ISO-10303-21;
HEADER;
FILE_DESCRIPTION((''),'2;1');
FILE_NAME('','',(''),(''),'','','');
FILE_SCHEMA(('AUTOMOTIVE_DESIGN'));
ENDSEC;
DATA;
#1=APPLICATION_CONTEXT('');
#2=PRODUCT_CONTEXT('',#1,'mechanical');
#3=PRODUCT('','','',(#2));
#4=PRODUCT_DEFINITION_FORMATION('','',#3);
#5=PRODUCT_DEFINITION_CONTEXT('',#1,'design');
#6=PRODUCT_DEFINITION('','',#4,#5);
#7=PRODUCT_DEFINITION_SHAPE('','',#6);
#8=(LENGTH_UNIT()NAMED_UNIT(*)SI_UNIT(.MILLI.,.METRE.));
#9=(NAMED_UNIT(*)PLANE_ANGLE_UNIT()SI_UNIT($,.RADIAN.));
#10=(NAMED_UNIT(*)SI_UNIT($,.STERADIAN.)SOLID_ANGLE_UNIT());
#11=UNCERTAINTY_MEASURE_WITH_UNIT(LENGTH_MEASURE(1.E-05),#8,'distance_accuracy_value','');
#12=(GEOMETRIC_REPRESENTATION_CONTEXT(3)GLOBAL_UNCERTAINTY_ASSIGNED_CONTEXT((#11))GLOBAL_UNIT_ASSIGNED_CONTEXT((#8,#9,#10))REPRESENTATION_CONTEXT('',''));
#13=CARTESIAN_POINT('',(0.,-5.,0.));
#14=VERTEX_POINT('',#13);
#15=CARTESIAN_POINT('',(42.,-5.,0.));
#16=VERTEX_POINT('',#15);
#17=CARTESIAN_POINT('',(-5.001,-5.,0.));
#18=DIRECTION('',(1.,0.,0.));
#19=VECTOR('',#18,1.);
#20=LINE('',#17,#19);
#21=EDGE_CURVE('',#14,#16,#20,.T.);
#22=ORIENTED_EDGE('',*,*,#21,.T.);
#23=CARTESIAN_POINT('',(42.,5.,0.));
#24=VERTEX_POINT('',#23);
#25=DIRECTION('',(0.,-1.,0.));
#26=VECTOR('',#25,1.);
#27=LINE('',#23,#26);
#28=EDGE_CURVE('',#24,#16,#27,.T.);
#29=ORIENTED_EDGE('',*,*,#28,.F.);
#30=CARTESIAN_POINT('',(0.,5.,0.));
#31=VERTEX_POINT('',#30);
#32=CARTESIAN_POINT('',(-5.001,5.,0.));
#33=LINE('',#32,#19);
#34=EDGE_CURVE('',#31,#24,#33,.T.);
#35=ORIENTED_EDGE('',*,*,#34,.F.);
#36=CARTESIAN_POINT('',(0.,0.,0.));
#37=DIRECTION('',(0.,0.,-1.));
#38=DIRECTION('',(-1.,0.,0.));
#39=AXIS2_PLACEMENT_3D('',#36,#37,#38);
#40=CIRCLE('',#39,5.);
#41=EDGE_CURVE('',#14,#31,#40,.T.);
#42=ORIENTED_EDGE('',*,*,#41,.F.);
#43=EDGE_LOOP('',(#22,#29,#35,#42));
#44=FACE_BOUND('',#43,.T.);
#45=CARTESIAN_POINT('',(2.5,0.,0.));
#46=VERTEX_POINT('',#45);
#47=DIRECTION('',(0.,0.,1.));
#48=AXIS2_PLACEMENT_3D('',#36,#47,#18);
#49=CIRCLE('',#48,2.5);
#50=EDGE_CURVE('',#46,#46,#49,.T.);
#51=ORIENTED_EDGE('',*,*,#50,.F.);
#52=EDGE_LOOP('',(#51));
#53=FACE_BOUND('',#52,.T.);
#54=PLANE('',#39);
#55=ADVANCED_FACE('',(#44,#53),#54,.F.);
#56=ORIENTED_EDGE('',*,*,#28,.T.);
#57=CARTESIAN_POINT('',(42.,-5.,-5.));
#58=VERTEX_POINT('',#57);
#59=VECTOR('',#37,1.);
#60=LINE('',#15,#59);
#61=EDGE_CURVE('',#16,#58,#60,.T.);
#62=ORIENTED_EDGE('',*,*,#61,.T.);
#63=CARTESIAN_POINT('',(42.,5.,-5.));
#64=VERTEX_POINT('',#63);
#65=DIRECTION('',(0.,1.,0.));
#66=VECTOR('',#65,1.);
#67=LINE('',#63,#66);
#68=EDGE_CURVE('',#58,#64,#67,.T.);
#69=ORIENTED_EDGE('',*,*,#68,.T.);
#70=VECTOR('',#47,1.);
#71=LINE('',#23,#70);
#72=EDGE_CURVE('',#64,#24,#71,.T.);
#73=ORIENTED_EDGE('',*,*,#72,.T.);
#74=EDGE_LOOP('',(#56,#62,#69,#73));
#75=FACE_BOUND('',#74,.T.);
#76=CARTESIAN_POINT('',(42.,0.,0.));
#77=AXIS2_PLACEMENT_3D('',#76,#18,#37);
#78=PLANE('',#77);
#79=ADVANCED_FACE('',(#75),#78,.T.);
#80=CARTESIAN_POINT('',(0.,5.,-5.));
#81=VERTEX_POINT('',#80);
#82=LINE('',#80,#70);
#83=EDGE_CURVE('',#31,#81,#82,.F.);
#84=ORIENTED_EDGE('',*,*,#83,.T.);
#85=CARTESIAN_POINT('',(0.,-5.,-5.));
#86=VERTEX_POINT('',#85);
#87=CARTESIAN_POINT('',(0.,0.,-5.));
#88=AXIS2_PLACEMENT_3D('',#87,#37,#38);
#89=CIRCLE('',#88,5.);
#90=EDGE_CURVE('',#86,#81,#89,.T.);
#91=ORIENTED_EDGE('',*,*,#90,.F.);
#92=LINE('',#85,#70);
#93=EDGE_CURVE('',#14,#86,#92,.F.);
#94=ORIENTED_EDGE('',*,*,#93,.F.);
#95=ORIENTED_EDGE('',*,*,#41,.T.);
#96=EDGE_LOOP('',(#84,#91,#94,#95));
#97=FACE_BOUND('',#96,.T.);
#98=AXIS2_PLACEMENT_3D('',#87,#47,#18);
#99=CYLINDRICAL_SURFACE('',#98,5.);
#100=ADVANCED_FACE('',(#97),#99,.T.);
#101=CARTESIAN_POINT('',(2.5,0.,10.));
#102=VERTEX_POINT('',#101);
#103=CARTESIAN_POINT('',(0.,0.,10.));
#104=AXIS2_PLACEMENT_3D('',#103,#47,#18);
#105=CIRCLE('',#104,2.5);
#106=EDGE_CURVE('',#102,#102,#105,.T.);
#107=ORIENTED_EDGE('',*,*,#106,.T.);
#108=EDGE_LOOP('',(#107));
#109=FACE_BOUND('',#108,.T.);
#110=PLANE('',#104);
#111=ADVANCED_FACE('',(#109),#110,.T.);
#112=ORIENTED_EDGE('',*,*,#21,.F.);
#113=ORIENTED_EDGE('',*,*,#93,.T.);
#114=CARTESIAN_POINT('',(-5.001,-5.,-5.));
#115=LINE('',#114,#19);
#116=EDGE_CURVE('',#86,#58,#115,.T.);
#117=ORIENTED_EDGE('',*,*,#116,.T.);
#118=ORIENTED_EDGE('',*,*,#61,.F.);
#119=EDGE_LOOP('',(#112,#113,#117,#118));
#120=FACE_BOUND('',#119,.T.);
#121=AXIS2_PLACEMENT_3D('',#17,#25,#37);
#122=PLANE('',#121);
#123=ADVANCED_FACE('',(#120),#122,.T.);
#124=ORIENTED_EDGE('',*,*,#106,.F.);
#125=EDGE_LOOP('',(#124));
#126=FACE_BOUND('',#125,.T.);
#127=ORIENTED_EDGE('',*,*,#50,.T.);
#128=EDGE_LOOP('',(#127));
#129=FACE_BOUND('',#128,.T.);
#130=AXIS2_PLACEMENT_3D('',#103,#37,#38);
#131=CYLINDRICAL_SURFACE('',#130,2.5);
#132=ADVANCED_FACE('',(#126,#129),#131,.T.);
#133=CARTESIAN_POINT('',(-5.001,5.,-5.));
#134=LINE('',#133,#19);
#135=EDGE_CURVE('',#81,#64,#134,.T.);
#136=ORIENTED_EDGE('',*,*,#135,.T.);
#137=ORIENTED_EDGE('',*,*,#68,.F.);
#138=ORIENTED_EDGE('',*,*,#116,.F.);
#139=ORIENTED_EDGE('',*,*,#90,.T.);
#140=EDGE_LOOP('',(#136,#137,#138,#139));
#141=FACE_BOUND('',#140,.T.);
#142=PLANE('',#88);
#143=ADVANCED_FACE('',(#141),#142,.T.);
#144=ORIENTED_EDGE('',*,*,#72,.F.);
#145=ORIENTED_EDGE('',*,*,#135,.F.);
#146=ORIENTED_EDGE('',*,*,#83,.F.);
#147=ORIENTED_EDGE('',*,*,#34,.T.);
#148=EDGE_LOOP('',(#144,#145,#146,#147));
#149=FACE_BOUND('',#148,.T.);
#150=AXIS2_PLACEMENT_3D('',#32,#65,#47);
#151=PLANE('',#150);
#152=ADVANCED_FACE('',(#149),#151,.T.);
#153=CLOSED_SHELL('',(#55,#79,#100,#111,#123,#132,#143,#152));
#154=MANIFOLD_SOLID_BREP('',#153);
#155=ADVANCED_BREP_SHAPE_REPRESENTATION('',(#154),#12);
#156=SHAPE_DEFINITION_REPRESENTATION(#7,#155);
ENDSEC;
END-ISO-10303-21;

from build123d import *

# Parameters (mm, degrees)
SKETCH1_R                = 2.5
BOSS_EXTRUDE1_DEPTH      = 10
SKETCH2_R                = 5
BOSS_EXTRUDE2_DEPTH      = 5
BOSS_EXTRUDE3_REACH      = 20.708
BOSS_EXTRUDE3_END_RADIUS = 5
SKETCH4_W                = 5
SKETCH4_H                = 10
SKETCH5_W                = 5
SKETCH5_H                = 10
BOSS_EXTRUDE4_DEPTH      = 32


with BuildPart() as part:
    # Sketch1 → Boss-Extrude1 (new body)
    with BuildSketch(Plane.XY):
        Circle(SKETCH1_R)
    extrude(amount=BOSS_EXTRUDE1_DEPTH)

    # Sketch2 → Boss-Extrude2 (add)
    with BuildSketch(Plane(origin=(0, 0, 0), x_dir=(-1, 0, 0), z_dir=(0, 0, -1))):
        Circle(SKETCH2_R)
    extrude(amount=BOSS_EXTRUDE2_DEPTH)

    # Boss-Extrude3: up to this cylinder (the profile starts outside it)
    boss_extrude3_end = Plane(origin=(0, 0, -2.5), z_dir=(0, 0, 1)) * Cylinder(BOSS_EXTRUDE3_END_RADIUS, 52.416, mode=Mode.PRIVATE)
    # Sketch4 → Boss-Extrude3 (add, up to the surface)
    with BuildSketch(Plane(origin=(10, 0, 0), x_dir=(0, 0, -1), z_dir=(1, 0, 0)), mode=Mode.PRIVATE) as boss_extrude3_sk1:
        with Locations((2.5, 0)):
            Rectangle(SKETCH4_W, SKETCH4_H)
    boss_extrude3_tool1 = extrude(boss_extrude3_sk1.sketch, amount=-BOSS_EXTRUDE3_REACH, mode=Mode.PRIVATE) - boss_extrude3_end
    add(boss_extrude3_tool1.solids().sort_by_distance((10, 0, -2.5))[0])

    # Sketch5 → Boss-Extrude4 (add)
    with BuildSketch(Plane(origin=(10, 0, 0), x_dir=(0, 0, -1), z_dir=(1, 0, 0))):
        with Locations((2.5, 0)):
            Rectangle(SKETCH5_W, SKETCH5_H)
    extrude(amount=BOSS_EXTRUDE4_DEPTH)


solid = part.part
